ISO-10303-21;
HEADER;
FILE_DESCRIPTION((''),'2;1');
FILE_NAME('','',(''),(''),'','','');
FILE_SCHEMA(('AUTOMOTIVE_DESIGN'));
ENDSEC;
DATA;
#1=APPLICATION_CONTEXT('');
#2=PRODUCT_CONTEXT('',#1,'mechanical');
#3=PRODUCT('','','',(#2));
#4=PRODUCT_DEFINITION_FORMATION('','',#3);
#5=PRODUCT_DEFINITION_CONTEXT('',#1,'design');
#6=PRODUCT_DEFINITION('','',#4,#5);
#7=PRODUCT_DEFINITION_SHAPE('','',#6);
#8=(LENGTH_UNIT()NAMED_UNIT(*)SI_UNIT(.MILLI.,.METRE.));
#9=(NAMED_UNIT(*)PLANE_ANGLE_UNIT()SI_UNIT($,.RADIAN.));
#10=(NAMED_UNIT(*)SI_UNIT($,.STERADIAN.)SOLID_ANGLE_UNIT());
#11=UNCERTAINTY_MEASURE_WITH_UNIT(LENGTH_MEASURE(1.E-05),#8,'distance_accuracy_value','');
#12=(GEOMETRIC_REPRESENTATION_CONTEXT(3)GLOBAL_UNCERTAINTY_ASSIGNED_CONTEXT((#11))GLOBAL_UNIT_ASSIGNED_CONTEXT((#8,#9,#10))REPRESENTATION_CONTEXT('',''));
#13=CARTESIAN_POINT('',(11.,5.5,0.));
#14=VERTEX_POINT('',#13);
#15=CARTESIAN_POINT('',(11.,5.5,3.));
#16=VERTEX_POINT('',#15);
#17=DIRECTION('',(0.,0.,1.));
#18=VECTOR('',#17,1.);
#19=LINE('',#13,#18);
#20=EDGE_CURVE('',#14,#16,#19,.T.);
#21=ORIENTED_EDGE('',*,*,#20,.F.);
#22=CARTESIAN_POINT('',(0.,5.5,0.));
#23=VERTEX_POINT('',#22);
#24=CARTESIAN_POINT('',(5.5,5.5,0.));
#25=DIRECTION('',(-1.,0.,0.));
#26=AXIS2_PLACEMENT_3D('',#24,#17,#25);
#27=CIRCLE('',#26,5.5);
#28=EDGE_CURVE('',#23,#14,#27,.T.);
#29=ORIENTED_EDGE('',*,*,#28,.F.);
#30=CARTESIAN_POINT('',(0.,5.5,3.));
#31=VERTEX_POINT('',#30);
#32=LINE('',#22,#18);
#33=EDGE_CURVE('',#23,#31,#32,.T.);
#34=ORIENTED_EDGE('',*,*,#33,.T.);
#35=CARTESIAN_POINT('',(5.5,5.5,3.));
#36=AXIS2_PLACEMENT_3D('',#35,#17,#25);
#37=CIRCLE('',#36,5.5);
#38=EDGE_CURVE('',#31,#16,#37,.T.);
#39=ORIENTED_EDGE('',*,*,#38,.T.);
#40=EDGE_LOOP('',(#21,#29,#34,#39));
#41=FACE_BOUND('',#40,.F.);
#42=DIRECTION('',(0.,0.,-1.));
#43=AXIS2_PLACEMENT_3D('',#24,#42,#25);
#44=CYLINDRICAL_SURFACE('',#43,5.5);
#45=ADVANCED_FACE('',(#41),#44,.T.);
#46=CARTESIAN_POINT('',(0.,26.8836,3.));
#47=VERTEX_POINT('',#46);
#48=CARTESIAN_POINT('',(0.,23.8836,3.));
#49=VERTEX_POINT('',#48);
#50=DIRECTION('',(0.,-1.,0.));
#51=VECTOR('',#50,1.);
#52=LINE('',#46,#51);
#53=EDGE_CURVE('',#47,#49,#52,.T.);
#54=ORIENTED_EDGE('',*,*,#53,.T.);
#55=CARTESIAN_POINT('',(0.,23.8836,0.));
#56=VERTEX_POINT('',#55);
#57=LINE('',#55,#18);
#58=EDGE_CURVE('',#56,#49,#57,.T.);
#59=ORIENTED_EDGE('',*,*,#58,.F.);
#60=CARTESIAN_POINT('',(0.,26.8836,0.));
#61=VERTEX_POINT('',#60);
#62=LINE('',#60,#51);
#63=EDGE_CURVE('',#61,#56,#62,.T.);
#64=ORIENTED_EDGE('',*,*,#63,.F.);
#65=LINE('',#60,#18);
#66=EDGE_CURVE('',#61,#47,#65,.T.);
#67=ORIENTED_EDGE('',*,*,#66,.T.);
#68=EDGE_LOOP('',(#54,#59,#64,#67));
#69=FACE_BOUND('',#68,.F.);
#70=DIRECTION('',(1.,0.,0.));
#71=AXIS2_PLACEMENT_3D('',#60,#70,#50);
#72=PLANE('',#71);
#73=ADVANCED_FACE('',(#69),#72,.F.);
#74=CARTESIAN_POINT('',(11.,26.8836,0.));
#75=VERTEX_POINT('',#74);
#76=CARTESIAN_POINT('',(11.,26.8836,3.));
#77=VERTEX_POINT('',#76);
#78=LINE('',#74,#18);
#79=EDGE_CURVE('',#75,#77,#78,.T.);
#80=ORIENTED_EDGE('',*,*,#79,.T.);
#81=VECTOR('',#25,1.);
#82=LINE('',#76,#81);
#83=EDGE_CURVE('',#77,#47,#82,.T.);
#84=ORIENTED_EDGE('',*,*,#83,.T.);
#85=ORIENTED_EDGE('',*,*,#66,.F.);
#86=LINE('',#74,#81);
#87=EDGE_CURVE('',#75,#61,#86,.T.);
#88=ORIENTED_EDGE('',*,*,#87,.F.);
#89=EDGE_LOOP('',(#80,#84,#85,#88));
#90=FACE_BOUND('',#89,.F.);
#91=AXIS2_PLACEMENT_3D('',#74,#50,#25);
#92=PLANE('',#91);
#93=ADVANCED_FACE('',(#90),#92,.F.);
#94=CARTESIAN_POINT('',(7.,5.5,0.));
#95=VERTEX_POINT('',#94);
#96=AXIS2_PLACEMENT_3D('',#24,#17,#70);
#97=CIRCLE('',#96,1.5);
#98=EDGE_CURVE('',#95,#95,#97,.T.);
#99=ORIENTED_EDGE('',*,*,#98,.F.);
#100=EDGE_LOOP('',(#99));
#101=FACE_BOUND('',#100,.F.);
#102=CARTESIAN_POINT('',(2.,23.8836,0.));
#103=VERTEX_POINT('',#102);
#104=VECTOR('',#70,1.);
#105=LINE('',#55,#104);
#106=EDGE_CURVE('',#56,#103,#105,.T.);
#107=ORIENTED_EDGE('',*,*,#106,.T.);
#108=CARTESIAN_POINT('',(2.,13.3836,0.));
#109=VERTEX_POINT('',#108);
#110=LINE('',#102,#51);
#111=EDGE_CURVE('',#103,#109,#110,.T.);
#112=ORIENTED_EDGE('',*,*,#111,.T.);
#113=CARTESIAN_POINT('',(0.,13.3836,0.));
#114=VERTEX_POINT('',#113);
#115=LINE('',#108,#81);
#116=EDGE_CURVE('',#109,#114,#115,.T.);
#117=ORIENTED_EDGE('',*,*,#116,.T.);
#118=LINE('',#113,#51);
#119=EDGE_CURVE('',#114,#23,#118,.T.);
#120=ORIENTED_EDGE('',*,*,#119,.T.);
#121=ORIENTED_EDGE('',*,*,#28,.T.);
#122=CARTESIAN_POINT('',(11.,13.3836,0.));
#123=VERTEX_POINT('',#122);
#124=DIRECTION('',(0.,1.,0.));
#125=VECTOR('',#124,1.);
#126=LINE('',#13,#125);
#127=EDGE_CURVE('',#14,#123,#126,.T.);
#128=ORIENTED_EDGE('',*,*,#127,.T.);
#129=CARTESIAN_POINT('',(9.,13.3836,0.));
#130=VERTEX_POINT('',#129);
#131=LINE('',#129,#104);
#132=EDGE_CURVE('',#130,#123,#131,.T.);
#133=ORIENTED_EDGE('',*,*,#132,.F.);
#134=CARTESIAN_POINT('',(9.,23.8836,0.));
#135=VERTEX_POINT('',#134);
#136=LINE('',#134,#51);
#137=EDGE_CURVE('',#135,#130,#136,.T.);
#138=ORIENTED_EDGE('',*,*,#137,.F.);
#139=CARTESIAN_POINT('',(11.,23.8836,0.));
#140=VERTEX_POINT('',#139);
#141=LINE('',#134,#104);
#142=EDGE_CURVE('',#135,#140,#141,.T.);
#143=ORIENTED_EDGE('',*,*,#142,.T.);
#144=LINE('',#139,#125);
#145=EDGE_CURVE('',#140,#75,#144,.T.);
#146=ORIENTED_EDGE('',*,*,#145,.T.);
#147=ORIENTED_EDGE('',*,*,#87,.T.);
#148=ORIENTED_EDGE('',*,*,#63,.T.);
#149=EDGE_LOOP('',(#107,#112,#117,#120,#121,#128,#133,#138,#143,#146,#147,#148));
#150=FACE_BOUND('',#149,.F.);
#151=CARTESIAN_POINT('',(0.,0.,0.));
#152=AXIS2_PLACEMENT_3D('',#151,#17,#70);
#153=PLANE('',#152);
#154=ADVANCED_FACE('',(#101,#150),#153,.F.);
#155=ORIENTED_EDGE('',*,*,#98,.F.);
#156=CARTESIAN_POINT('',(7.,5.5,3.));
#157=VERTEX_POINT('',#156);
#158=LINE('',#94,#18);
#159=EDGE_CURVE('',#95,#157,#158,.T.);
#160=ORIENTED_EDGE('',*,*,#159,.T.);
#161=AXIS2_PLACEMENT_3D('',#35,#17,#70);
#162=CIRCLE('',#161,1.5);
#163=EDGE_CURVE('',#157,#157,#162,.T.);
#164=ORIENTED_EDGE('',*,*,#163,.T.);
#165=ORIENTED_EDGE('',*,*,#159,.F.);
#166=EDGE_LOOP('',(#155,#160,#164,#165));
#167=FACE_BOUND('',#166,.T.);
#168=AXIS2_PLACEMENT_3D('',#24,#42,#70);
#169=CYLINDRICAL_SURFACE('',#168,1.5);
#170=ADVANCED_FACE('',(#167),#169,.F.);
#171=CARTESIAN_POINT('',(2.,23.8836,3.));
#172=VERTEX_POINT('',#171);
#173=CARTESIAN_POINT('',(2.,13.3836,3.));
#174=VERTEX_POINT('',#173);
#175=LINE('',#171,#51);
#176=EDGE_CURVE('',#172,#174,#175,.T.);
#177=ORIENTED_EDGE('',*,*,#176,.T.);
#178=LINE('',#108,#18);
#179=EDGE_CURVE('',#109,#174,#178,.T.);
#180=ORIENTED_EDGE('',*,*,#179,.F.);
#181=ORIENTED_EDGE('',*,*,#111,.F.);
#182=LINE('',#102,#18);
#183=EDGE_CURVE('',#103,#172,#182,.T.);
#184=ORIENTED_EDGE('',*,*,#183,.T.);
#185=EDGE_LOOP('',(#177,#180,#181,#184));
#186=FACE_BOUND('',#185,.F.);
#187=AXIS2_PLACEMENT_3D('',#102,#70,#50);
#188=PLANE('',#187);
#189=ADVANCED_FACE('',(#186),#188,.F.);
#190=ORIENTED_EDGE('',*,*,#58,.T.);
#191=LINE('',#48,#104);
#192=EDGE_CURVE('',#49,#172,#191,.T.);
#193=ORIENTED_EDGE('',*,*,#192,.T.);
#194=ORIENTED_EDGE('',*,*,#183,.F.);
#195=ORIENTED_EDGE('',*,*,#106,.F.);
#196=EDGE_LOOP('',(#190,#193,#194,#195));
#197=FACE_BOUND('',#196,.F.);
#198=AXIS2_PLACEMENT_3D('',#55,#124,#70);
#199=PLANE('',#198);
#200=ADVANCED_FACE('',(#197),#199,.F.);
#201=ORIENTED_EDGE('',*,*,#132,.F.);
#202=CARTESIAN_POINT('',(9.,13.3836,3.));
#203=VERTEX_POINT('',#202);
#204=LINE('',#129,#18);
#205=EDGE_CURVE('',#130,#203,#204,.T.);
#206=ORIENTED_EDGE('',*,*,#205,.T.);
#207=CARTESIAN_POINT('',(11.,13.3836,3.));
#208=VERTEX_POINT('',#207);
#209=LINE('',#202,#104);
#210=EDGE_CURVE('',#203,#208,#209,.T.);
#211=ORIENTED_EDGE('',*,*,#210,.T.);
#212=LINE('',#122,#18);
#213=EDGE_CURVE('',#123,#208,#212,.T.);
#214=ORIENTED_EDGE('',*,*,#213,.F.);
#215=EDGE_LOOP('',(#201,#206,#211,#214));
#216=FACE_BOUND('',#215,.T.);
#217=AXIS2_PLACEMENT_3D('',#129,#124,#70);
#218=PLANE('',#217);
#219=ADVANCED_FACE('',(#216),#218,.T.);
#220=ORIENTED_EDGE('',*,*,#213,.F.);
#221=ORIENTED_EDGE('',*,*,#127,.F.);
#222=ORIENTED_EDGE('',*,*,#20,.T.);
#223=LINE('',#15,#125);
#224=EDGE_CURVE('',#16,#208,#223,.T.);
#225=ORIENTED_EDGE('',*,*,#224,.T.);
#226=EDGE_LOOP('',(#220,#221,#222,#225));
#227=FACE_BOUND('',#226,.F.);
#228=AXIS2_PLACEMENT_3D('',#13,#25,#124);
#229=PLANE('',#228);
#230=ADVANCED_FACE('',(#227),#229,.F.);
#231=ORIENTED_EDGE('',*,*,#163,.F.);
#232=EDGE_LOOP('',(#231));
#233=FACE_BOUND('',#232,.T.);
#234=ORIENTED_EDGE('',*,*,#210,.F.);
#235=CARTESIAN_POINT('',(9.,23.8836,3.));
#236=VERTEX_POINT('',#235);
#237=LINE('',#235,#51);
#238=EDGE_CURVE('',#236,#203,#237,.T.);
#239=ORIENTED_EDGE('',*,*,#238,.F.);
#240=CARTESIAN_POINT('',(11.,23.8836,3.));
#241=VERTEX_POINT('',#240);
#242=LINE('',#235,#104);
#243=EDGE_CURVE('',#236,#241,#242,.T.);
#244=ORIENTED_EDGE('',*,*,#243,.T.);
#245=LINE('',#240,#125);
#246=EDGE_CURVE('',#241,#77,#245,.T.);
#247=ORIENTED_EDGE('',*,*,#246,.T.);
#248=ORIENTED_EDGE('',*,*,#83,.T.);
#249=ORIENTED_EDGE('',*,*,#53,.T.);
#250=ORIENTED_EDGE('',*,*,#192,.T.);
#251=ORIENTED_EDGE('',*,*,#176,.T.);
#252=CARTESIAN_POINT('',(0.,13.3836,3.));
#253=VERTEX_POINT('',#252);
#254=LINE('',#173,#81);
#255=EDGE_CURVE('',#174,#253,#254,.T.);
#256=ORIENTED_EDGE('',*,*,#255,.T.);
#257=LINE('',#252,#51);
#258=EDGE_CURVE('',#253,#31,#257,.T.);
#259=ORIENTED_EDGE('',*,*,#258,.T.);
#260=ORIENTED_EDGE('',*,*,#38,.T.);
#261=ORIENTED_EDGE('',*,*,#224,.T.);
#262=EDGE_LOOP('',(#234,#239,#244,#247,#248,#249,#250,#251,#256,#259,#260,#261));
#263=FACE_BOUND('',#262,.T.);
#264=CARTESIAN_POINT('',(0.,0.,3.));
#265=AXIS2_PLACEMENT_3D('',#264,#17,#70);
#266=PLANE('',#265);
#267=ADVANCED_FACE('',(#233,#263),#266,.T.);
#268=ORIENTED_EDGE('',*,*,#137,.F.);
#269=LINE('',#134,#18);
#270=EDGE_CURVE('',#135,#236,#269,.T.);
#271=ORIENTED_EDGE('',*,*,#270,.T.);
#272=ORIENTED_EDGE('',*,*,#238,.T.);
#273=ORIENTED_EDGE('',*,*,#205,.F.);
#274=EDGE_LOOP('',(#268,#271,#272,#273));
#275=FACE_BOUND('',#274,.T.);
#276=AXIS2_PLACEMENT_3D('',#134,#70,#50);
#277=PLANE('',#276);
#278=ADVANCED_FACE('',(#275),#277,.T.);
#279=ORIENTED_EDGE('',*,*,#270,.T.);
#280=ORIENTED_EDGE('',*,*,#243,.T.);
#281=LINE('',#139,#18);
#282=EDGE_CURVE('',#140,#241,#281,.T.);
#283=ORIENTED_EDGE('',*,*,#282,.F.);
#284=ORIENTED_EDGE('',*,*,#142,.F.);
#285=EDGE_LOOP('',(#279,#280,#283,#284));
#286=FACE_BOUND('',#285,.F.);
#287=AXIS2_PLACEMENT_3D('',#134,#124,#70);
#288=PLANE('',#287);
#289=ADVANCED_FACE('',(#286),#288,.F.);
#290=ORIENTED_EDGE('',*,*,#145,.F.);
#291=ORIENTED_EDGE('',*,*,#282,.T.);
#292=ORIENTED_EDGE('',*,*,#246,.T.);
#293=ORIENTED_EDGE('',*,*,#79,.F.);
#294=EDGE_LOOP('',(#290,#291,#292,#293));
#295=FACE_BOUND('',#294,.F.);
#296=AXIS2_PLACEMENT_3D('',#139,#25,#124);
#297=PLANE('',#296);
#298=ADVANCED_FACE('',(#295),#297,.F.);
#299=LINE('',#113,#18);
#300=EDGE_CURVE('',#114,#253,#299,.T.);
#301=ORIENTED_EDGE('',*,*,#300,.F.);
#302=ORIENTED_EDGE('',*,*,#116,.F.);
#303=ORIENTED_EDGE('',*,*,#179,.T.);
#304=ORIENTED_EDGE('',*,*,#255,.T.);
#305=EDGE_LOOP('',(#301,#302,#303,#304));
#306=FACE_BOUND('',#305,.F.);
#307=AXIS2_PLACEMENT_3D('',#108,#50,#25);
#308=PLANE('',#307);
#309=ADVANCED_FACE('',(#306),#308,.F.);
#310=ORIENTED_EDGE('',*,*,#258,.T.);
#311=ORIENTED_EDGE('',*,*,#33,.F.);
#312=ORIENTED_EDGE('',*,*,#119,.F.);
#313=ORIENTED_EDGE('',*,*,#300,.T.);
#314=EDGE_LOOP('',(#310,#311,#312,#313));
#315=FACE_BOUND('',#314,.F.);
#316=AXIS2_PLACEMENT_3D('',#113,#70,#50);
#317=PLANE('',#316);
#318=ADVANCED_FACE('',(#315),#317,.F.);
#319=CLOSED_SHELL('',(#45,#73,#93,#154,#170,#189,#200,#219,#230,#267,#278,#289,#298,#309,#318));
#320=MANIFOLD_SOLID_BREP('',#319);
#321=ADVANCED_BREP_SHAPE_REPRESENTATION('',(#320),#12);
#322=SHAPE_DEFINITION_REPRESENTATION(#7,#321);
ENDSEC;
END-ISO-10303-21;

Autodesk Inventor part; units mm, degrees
ref_plane "YZ Plane" through (0, 0, 0) normal (1, 0, 0) x (0, 1, 0)
ref_plane "XZ Plane" through (0, 0, 0) normal (0, 1, 0) x (-1, 0, 0)
ref_plane "XY Plane" through (0, 0, 0) normal (0, 0, 1) x (1, 0, 0)
sketch "Sketch6" plane through (0, 0, 0) normal (0, 0, 1) x (1, 0, 0)
  line L0 (11, 26.8836) -> (0, 26.8836)
  line L1 (2, 23.8836) -> (2, 13.3836)
  line L2 (9, 23.8836) -> (9, 13.3836)
  line L3 (2, 13.3836) -> (0, 13.3836)
  line L4 (9, 13.3836) -> (11, 13.3836)
  arc A0 (0, 5.5) -> (11, 5.5) centre (5.5, 5.5) ccw
  circle A1 centre (5.5, 5.5) radius 1.5
  line L5 (0, 23.8836) -> (2, 23.8836)
  line L6 (9, 23.8836) -> (11, 23.8836)
  line L7 (0, 26.8836) -> (0, 23.8836)
  line L8 (0, 13.3836) -> (0, 5.5)
  line L9 (11, 5.5) -> (11, 13.3836)
  line L10 (11, 23.8836) -> (11, 26.8836)
  point P0 (0, 0)
  point P1 (10, 13.3836)
  dimension "d92" = 10.5
  dimension "d93" = 10.5
  dimension "d94" = 2
  dimension "d95" = 2
  dimension "d96" = 3
  dimension "d97" = 11
  dimension "d98" = 7.8836
extrude "Extrusion3" add sketch "Sketch6" along normal blind 3
properties part number "4P.01.01.16-BC-v1-Final Flap L2 80deg" material "Acrylic, Clear"
